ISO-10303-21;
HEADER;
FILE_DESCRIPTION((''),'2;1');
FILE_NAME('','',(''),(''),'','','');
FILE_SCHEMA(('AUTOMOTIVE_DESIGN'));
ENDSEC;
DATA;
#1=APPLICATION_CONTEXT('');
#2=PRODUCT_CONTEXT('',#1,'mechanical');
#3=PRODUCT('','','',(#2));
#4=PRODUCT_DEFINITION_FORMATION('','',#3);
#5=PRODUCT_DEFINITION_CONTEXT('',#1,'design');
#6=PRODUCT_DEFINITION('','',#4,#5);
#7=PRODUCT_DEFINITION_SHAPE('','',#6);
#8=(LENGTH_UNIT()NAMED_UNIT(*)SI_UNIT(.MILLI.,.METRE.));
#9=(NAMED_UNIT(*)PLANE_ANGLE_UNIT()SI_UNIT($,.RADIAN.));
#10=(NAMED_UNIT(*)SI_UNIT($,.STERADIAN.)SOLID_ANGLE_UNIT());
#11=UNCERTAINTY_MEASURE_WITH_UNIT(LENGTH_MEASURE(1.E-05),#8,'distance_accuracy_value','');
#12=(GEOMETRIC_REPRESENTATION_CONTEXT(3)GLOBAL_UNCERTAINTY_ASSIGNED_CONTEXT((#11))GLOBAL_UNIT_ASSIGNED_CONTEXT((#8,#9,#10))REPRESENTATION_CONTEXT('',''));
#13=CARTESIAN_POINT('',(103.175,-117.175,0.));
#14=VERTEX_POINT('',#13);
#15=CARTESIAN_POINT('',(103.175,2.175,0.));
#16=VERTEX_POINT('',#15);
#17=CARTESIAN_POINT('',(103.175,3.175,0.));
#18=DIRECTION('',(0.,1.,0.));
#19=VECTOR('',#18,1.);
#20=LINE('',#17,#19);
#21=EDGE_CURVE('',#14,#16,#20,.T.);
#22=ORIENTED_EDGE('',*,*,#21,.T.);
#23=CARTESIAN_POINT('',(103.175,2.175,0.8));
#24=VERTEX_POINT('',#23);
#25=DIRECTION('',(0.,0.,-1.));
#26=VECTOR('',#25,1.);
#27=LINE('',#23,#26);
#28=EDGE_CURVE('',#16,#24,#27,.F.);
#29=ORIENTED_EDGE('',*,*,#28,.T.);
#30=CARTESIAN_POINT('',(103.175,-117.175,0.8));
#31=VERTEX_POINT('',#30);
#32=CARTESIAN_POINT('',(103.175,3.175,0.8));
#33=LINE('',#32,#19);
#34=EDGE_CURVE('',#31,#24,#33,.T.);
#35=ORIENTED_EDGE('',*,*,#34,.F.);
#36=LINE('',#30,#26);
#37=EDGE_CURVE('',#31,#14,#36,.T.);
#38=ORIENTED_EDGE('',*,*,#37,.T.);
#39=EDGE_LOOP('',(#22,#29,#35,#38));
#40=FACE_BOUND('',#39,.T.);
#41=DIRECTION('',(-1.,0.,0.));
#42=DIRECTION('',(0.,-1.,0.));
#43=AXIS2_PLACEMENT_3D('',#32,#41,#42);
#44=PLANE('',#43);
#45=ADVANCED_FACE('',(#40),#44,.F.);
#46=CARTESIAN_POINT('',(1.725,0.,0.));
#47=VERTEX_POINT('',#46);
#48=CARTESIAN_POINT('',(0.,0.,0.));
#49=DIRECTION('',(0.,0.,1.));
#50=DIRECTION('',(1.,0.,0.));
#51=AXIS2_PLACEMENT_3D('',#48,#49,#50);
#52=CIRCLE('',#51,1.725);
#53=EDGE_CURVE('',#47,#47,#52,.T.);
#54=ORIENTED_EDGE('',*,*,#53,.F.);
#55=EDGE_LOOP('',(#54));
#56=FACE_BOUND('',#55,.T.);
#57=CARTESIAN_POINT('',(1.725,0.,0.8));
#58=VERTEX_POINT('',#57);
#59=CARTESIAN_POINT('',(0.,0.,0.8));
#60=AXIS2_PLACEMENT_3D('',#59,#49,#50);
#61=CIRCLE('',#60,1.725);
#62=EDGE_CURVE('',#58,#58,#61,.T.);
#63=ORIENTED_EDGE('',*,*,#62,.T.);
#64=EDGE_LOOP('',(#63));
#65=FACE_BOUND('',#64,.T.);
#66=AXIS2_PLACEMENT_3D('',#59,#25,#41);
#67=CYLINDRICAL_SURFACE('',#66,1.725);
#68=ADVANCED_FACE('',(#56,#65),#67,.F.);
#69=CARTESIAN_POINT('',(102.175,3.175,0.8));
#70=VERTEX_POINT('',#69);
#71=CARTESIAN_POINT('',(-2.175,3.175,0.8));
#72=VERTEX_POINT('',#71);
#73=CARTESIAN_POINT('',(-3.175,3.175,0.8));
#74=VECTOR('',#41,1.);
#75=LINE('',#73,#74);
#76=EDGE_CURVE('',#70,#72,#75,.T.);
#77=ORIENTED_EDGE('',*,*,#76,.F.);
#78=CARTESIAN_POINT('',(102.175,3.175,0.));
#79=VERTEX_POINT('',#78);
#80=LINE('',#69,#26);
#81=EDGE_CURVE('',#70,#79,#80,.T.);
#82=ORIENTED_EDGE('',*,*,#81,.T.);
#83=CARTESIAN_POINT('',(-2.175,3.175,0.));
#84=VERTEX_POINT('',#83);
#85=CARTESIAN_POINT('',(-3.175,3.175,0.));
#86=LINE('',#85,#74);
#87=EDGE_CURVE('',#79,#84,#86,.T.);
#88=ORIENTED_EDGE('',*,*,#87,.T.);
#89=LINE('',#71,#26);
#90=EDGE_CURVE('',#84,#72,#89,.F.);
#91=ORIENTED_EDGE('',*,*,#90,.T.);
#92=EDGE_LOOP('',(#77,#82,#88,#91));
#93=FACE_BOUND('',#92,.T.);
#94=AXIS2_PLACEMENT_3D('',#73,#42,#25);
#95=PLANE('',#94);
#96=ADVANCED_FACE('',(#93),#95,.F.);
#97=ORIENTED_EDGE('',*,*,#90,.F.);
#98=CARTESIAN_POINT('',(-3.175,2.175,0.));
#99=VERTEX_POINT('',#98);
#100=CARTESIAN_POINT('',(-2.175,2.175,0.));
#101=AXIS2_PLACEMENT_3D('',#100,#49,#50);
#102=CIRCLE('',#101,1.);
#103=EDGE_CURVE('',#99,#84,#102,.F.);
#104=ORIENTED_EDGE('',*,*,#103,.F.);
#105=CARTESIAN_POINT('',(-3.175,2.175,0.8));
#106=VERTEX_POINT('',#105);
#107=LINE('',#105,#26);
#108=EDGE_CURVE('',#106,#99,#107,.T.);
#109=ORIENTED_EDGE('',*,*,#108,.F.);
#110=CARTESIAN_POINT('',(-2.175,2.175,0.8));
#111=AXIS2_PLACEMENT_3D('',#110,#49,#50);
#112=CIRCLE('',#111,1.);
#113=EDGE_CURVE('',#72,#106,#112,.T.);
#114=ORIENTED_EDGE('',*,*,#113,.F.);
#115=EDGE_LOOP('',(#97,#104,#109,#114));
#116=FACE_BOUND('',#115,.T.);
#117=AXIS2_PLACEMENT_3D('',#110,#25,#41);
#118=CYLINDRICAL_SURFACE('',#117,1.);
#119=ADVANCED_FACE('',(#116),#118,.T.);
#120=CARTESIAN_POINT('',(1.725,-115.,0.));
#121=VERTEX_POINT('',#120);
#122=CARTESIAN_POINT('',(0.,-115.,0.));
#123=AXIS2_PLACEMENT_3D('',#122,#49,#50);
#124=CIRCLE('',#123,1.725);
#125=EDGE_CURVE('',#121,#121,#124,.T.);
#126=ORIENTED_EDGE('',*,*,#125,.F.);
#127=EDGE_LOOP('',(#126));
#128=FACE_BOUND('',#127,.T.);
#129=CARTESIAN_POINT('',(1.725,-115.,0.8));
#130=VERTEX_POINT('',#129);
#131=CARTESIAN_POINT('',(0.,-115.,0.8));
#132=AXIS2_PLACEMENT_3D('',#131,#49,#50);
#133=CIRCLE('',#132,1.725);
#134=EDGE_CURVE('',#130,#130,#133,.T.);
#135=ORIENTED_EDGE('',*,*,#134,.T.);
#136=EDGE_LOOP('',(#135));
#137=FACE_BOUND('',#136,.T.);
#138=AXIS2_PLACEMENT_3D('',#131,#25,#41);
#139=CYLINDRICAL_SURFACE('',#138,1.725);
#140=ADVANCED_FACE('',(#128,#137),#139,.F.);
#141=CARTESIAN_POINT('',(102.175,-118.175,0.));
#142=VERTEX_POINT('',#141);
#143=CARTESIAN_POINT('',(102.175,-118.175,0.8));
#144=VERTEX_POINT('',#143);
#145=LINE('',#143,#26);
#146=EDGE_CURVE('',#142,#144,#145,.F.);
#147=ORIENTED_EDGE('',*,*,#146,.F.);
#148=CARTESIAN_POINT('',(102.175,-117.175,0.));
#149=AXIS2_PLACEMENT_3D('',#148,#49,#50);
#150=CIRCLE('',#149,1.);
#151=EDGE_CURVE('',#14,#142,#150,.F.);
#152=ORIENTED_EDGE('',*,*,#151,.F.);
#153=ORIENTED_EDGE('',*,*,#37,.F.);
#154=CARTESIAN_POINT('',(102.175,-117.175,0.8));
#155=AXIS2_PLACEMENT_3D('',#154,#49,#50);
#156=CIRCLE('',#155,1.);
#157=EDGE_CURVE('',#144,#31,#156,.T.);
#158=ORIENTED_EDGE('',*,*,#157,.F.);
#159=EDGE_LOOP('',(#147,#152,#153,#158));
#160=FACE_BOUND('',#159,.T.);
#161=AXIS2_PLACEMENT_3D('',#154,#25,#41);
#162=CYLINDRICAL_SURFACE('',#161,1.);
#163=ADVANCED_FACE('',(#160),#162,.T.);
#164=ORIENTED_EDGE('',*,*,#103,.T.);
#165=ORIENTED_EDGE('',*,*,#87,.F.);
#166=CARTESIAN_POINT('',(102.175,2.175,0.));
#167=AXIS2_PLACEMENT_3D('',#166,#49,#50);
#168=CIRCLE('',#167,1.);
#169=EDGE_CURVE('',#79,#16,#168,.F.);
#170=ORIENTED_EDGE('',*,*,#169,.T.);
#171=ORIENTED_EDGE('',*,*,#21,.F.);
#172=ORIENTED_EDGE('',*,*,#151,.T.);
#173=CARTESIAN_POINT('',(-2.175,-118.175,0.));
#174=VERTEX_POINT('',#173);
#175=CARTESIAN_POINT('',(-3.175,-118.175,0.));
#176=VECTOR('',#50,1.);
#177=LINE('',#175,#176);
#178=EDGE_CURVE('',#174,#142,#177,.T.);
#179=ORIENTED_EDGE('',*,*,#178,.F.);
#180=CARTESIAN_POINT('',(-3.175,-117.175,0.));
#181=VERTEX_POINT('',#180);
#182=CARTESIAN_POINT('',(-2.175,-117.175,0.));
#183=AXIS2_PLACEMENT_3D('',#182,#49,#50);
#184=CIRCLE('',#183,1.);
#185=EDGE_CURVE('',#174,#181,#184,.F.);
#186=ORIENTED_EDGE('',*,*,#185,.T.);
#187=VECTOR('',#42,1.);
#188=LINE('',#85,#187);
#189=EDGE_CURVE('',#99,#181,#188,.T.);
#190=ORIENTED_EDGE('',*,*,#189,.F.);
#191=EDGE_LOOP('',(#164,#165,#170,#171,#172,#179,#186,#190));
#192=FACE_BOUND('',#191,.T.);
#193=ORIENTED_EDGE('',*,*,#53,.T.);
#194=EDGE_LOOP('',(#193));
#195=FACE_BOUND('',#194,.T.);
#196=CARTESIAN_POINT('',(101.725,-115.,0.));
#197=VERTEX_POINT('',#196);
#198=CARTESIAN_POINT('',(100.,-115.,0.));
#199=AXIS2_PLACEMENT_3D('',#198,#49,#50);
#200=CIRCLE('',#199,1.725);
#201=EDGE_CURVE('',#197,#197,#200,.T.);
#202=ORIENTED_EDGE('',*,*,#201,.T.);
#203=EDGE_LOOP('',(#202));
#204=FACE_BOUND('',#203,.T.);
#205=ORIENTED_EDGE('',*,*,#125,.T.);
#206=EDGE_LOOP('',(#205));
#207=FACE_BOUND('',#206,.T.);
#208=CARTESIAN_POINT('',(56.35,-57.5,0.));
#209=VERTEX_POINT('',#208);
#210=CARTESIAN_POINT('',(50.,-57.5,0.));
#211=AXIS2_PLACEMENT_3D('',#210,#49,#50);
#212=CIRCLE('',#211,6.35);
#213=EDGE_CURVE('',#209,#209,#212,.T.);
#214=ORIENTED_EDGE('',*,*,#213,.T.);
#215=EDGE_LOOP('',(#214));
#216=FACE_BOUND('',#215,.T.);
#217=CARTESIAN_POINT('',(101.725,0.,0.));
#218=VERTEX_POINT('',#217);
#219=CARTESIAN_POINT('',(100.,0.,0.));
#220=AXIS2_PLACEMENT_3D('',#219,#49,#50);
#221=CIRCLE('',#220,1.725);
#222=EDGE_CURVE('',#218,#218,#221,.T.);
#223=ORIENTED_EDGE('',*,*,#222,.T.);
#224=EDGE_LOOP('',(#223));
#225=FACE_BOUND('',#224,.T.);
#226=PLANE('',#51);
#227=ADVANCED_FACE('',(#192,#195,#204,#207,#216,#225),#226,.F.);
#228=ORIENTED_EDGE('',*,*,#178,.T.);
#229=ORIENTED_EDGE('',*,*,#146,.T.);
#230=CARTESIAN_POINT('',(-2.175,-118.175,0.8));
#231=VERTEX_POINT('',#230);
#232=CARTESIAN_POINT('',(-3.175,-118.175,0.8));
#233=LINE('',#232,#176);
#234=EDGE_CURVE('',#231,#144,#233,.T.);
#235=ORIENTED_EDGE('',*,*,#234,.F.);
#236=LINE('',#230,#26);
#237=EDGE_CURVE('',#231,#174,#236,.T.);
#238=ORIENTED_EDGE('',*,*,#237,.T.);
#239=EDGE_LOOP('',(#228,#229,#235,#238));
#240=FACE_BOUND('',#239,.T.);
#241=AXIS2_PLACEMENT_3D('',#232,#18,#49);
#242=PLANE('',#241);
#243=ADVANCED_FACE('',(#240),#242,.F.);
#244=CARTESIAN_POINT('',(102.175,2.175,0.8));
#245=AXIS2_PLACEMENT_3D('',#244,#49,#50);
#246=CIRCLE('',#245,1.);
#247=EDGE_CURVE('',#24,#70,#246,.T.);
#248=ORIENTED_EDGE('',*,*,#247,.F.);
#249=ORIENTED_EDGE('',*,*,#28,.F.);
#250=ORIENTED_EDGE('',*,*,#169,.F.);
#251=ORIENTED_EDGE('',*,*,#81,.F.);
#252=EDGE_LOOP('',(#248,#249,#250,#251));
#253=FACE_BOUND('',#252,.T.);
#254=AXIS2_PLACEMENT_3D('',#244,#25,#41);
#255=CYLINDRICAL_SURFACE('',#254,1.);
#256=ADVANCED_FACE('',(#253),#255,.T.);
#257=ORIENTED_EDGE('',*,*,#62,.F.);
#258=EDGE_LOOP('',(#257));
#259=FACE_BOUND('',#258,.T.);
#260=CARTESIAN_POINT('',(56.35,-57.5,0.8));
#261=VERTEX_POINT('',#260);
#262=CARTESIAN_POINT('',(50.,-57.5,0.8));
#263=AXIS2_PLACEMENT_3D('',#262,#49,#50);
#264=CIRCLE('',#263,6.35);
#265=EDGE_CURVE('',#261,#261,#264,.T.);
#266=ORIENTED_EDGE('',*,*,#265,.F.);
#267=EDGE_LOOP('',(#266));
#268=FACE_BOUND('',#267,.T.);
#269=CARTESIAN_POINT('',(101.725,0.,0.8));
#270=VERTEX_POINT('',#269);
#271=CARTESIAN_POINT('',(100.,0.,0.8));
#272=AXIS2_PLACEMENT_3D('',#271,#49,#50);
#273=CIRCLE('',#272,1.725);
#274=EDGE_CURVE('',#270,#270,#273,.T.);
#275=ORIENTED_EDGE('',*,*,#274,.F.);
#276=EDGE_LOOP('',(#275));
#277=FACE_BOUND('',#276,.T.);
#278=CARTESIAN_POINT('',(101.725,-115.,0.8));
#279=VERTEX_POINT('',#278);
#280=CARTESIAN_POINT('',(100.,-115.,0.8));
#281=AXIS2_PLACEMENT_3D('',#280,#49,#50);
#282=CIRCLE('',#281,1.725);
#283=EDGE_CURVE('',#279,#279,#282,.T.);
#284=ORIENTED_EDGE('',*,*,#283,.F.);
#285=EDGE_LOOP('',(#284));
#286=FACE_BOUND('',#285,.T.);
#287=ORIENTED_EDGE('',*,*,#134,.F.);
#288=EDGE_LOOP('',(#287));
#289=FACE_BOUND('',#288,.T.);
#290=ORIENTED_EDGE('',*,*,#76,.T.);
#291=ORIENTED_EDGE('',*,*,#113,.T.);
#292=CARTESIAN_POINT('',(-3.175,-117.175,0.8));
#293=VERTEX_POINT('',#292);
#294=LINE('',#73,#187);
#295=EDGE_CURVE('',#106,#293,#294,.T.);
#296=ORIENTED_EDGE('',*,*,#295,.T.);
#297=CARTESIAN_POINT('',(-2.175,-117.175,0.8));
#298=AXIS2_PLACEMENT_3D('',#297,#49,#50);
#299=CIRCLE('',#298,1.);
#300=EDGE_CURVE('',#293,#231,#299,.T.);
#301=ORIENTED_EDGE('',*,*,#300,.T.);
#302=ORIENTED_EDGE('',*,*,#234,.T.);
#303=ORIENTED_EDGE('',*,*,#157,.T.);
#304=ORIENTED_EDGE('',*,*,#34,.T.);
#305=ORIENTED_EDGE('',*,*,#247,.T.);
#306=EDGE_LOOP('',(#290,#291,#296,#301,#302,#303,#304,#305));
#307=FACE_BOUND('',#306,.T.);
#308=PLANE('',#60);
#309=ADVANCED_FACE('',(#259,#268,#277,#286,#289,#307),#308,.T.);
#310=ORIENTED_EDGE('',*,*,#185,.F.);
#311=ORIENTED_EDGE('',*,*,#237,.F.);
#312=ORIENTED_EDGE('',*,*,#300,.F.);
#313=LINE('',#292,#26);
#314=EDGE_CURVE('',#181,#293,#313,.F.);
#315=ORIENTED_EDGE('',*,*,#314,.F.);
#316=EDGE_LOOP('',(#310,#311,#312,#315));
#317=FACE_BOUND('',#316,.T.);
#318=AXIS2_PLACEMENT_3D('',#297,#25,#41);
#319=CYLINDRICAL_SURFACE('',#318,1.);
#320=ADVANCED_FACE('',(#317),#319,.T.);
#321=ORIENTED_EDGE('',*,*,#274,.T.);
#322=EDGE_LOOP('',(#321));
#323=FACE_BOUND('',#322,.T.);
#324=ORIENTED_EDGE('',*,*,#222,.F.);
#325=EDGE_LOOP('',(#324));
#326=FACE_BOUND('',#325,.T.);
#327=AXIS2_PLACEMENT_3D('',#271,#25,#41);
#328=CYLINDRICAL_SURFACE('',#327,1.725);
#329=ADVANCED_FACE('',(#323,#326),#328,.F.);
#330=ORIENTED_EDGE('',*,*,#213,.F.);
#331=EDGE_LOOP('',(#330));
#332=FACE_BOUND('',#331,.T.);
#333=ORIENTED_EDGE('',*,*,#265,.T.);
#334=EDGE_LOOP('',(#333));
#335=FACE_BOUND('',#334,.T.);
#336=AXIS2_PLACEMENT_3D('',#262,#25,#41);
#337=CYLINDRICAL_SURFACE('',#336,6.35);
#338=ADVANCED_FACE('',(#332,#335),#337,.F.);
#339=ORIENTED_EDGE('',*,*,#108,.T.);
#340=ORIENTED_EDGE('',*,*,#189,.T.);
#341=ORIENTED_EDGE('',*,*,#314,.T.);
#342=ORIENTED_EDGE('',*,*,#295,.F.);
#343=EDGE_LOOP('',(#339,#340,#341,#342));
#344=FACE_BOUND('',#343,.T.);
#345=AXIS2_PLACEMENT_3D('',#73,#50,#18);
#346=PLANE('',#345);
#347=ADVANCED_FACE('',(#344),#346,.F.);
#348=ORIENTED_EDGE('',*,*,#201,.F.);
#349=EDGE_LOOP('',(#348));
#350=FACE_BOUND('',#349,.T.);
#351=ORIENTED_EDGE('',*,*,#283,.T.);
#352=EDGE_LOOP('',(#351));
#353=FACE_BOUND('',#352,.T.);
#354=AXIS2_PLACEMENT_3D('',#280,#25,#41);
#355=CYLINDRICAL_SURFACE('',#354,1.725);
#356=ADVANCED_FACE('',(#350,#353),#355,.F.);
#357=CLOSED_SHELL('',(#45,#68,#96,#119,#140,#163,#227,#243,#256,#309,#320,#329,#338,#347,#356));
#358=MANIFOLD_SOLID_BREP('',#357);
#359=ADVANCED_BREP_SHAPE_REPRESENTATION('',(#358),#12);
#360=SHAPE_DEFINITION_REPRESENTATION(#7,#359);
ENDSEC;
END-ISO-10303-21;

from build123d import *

# Parameters (mm, degrees)
SKETCH1_W           = 106.35
SKETCH1_H           = 121.35
SKETCH1_R           = 1.725
SKETCH1_R_2         = 6.35
BOSS_EXTRUDE1_DEPTH = 0.8
FILLET1_R           = 1


with BuildPart() as part:
    # Sketch1 → Boss-Extrude1 (new body)
    with BuildSketch(Plane.XY):
        with Locations((50, -57.5)):
            Rectangle(SKETCH1_W, SKETCH1_H)
        Circle(SKETCH1_R, mode=Mode.SUBTRACT)
        with Locations((100, 0)):
            Circle(SKETCH1_R, mode=Mode.SUBTRACT)
        with Locations((100, -115)):
            Circle(SKETCH1_R, mode=Mode.SUBTRACT)
        with Locations((0, -115)):
            Circle(SKETCH1_R, mode=Mode.SUBTRACT)
        with Locations((50, -57.5)):
            Circle(SKETCH1_R_2, mode=Mode.SUBTRACT)
    extrude(amount=BOSS_EXTRUDE1_DEPTH)

    # Fillet1
    fillet1_edges = [part.edges().sort_by_distance(p)[0] for p in [
        (-3.175, 3.175, 0.4),
        (103.175, 3.175, 0.4),
        (103.175, -118.175, 0.4),
        (-3.175, -118.175, 0.4),
    ]]
    fillet(fillet1_edges, radius=FILLET1_R)


solid = part.part
